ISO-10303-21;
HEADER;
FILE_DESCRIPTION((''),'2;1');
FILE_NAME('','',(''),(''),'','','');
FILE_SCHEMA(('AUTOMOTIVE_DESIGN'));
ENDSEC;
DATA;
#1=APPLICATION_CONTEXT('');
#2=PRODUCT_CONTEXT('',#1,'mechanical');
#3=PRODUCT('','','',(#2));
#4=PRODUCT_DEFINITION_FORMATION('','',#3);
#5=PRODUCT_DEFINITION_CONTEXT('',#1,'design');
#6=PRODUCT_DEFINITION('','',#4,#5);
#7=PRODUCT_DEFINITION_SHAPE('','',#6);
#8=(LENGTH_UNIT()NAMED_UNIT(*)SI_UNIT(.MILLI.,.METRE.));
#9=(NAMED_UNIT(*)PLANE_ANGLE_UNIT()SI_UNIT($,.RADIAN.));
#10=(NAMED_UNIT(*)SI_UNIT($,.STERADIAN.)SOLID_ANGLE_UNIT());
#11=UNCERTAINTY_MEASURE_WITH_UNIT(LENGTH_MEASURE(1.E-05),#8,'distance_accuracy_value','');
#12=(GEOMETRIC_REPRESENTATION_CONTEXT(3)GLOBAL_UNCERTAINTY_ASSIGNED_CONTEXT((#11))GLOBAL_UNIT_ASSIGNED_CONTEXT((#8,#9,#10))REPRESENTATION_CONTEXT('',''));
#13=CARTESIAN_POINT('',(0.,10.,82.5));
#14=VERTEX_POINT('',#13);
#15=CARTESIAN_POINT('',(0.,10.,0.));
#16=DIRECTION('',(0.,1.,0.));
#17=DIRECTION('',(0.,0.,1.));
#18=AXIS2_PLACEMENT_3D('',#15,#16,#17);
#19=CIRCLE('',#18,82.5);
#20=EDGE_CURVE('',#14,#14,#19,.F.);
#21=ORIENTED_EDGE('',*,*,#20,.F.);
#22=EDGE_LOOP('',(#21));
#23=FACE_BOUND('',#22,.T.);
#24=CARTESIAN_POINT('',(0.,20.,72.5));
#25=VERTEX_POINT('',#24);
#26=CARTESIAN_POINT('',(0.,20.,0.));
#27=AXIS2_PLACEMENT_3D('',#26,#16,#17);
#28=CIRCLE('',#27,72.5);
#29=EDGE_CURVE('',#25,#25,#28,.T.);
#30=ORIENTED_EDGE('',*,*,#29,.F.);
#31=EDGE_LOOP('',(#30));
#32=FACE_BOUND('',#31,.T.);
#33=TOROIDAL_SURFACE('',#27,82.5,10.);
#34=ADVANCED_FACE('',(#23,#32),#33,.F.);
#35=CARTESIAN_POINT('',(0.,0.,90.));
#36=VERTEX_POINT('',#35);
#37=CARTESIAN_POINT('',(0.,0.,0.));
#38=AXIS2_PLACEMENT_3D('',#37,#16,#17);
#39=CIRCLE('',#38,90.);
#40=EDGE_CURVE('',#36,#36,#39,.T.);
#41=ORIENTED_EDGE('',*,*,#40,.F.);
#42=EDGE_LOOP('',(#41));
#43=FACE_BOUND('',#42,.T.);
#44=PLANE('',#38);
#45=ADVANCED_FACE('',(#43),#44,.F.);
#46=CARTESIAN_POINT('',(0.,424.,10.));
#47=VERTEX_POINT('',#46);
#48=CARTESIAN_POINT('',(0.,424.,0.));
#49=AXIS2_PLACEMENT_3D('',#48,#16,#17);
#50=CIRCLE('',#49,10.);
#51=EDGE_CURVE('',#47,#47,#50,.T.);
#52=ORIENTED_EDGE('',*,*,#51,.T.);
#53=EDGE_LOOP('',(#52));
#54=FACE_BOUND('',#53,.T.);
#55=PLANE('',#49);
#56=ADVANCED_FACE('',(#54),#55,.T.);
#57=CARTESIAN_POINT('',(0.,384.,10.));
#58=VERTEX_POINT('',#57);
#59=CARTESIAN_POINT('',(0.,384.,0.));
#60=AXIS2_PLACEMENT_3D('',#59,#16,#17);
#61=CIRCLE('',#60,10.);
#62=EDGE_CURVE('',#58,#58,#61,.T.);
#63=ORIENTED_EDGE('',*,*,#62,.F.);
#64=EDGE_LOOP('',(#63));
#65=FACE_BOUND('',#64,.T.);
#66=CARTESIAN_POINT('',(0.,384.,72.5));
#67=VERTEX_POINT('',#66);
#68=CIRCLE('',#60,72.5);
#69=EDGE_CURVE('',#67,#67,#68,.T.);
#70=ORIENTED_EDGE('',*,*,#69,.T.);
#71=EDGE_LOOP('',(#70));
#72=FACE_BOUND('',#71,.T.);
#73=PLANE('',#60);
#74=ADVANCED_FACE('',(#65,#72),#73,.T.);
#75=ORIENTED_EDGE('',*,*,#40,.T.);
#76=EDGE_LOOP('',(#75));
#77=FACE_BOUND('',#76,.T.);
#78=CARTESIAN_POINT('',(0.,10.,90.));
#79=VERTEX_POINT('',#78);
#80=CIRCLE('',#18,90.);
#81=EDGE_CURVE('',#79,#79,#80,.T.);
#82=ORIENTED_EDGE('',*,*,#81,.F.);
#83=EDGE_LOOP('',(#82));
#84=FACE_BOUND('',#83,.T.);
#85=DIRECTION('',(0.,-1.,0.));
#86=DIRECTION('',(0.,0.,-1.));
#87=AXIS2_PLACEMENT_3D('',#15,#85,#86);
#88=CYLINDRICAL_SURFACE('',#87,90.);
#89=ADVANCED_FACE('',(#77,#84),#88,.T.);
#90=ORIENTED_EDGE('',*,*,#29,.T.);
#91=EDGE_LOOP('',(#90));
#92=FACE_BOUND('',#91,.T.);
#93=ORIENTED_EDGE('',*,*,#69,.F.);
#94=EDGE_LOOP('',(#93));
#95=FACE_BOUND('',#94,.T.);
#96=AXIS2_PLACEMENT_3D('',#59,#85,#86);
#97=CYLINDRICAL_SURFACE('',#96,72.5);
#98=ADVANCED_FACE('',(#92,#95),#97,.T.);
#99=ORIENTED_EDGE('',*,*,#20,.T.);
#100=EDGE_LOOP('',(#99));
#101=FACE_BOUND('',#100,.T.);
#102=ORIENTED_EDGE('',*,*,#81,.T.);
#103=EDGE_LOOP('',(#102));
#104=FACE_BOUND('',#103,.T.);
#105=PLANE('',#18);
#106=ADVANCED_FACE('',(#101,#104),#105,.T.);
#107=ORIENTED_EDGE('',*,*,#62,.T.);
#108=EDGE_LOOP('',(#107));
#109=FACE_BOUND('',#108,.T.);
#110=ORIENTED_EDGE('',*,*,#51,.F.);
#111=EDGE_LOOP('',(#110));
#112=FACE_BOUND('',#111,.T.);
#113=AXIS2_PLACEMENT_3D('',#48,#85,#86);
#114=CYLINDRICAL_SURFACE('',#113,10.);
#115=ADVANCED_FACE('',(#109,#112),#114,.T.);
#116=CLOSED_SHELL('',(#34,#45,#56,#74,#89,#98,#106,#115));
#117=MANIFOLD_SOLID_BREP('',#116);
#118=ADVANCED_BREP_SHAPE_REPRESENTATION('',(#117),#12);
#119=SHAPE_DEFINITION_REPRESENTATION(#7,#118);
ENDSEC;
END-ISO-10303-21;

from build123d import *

# Parameters (mm, degrees)
SKETCH1_R           = 72.5
BOSS_EXTRUDE1_DEPTH = 384
SKETCH2_R           = 90
BOSS_EXTRUDE2_DEPTH = 10
FILLET1_R           = 10
SKETCH3_R           = 10
BOSS_EXTRUDE3_DEPTH = 40


with BuildPart() as part:
    # Sketch1 → Boss-Extrude1 (new body)
    with BuildSketch(Plane(origin=(0, 0, 0), x_dir=(1, 0, 0), z_dir=(0, 1, 0))):
        Circle(SKETCH1_R)
    extrude(amount=BOSS_EXTRUDE1_DEPTH)

    # Sketch2 → Boss-Extrude2 (add)
    with BuildSketch(Plane(origin=(0, 0, 0), x_dir=(1, 0, 0), z_dir=(0, 1, 0))):
        Circle(SKETCH2_R)
    extrude(amount=BOSS_EXTRUDE2_DEPTH)

    # Fillet1
    fillet1_edges = [part.edges().sort_by_distance(p)[0] for p in [
        (-72.5, 10, 0),
    ]]
    fillet(fillet1_edges, radius=FILLET1_R)

    # Sketch3 → Boss-Extrude3 (add)
    with BuildSketch(Plane(origin=(0, 384, 0), x_dir=(1, 0, 0), z_dir=(0, 1, 0))):
        Circle(SKETCH3_R)
    extrude(amount=BOSS_EXTRUDE3_DEPTH)


solid = part.part
